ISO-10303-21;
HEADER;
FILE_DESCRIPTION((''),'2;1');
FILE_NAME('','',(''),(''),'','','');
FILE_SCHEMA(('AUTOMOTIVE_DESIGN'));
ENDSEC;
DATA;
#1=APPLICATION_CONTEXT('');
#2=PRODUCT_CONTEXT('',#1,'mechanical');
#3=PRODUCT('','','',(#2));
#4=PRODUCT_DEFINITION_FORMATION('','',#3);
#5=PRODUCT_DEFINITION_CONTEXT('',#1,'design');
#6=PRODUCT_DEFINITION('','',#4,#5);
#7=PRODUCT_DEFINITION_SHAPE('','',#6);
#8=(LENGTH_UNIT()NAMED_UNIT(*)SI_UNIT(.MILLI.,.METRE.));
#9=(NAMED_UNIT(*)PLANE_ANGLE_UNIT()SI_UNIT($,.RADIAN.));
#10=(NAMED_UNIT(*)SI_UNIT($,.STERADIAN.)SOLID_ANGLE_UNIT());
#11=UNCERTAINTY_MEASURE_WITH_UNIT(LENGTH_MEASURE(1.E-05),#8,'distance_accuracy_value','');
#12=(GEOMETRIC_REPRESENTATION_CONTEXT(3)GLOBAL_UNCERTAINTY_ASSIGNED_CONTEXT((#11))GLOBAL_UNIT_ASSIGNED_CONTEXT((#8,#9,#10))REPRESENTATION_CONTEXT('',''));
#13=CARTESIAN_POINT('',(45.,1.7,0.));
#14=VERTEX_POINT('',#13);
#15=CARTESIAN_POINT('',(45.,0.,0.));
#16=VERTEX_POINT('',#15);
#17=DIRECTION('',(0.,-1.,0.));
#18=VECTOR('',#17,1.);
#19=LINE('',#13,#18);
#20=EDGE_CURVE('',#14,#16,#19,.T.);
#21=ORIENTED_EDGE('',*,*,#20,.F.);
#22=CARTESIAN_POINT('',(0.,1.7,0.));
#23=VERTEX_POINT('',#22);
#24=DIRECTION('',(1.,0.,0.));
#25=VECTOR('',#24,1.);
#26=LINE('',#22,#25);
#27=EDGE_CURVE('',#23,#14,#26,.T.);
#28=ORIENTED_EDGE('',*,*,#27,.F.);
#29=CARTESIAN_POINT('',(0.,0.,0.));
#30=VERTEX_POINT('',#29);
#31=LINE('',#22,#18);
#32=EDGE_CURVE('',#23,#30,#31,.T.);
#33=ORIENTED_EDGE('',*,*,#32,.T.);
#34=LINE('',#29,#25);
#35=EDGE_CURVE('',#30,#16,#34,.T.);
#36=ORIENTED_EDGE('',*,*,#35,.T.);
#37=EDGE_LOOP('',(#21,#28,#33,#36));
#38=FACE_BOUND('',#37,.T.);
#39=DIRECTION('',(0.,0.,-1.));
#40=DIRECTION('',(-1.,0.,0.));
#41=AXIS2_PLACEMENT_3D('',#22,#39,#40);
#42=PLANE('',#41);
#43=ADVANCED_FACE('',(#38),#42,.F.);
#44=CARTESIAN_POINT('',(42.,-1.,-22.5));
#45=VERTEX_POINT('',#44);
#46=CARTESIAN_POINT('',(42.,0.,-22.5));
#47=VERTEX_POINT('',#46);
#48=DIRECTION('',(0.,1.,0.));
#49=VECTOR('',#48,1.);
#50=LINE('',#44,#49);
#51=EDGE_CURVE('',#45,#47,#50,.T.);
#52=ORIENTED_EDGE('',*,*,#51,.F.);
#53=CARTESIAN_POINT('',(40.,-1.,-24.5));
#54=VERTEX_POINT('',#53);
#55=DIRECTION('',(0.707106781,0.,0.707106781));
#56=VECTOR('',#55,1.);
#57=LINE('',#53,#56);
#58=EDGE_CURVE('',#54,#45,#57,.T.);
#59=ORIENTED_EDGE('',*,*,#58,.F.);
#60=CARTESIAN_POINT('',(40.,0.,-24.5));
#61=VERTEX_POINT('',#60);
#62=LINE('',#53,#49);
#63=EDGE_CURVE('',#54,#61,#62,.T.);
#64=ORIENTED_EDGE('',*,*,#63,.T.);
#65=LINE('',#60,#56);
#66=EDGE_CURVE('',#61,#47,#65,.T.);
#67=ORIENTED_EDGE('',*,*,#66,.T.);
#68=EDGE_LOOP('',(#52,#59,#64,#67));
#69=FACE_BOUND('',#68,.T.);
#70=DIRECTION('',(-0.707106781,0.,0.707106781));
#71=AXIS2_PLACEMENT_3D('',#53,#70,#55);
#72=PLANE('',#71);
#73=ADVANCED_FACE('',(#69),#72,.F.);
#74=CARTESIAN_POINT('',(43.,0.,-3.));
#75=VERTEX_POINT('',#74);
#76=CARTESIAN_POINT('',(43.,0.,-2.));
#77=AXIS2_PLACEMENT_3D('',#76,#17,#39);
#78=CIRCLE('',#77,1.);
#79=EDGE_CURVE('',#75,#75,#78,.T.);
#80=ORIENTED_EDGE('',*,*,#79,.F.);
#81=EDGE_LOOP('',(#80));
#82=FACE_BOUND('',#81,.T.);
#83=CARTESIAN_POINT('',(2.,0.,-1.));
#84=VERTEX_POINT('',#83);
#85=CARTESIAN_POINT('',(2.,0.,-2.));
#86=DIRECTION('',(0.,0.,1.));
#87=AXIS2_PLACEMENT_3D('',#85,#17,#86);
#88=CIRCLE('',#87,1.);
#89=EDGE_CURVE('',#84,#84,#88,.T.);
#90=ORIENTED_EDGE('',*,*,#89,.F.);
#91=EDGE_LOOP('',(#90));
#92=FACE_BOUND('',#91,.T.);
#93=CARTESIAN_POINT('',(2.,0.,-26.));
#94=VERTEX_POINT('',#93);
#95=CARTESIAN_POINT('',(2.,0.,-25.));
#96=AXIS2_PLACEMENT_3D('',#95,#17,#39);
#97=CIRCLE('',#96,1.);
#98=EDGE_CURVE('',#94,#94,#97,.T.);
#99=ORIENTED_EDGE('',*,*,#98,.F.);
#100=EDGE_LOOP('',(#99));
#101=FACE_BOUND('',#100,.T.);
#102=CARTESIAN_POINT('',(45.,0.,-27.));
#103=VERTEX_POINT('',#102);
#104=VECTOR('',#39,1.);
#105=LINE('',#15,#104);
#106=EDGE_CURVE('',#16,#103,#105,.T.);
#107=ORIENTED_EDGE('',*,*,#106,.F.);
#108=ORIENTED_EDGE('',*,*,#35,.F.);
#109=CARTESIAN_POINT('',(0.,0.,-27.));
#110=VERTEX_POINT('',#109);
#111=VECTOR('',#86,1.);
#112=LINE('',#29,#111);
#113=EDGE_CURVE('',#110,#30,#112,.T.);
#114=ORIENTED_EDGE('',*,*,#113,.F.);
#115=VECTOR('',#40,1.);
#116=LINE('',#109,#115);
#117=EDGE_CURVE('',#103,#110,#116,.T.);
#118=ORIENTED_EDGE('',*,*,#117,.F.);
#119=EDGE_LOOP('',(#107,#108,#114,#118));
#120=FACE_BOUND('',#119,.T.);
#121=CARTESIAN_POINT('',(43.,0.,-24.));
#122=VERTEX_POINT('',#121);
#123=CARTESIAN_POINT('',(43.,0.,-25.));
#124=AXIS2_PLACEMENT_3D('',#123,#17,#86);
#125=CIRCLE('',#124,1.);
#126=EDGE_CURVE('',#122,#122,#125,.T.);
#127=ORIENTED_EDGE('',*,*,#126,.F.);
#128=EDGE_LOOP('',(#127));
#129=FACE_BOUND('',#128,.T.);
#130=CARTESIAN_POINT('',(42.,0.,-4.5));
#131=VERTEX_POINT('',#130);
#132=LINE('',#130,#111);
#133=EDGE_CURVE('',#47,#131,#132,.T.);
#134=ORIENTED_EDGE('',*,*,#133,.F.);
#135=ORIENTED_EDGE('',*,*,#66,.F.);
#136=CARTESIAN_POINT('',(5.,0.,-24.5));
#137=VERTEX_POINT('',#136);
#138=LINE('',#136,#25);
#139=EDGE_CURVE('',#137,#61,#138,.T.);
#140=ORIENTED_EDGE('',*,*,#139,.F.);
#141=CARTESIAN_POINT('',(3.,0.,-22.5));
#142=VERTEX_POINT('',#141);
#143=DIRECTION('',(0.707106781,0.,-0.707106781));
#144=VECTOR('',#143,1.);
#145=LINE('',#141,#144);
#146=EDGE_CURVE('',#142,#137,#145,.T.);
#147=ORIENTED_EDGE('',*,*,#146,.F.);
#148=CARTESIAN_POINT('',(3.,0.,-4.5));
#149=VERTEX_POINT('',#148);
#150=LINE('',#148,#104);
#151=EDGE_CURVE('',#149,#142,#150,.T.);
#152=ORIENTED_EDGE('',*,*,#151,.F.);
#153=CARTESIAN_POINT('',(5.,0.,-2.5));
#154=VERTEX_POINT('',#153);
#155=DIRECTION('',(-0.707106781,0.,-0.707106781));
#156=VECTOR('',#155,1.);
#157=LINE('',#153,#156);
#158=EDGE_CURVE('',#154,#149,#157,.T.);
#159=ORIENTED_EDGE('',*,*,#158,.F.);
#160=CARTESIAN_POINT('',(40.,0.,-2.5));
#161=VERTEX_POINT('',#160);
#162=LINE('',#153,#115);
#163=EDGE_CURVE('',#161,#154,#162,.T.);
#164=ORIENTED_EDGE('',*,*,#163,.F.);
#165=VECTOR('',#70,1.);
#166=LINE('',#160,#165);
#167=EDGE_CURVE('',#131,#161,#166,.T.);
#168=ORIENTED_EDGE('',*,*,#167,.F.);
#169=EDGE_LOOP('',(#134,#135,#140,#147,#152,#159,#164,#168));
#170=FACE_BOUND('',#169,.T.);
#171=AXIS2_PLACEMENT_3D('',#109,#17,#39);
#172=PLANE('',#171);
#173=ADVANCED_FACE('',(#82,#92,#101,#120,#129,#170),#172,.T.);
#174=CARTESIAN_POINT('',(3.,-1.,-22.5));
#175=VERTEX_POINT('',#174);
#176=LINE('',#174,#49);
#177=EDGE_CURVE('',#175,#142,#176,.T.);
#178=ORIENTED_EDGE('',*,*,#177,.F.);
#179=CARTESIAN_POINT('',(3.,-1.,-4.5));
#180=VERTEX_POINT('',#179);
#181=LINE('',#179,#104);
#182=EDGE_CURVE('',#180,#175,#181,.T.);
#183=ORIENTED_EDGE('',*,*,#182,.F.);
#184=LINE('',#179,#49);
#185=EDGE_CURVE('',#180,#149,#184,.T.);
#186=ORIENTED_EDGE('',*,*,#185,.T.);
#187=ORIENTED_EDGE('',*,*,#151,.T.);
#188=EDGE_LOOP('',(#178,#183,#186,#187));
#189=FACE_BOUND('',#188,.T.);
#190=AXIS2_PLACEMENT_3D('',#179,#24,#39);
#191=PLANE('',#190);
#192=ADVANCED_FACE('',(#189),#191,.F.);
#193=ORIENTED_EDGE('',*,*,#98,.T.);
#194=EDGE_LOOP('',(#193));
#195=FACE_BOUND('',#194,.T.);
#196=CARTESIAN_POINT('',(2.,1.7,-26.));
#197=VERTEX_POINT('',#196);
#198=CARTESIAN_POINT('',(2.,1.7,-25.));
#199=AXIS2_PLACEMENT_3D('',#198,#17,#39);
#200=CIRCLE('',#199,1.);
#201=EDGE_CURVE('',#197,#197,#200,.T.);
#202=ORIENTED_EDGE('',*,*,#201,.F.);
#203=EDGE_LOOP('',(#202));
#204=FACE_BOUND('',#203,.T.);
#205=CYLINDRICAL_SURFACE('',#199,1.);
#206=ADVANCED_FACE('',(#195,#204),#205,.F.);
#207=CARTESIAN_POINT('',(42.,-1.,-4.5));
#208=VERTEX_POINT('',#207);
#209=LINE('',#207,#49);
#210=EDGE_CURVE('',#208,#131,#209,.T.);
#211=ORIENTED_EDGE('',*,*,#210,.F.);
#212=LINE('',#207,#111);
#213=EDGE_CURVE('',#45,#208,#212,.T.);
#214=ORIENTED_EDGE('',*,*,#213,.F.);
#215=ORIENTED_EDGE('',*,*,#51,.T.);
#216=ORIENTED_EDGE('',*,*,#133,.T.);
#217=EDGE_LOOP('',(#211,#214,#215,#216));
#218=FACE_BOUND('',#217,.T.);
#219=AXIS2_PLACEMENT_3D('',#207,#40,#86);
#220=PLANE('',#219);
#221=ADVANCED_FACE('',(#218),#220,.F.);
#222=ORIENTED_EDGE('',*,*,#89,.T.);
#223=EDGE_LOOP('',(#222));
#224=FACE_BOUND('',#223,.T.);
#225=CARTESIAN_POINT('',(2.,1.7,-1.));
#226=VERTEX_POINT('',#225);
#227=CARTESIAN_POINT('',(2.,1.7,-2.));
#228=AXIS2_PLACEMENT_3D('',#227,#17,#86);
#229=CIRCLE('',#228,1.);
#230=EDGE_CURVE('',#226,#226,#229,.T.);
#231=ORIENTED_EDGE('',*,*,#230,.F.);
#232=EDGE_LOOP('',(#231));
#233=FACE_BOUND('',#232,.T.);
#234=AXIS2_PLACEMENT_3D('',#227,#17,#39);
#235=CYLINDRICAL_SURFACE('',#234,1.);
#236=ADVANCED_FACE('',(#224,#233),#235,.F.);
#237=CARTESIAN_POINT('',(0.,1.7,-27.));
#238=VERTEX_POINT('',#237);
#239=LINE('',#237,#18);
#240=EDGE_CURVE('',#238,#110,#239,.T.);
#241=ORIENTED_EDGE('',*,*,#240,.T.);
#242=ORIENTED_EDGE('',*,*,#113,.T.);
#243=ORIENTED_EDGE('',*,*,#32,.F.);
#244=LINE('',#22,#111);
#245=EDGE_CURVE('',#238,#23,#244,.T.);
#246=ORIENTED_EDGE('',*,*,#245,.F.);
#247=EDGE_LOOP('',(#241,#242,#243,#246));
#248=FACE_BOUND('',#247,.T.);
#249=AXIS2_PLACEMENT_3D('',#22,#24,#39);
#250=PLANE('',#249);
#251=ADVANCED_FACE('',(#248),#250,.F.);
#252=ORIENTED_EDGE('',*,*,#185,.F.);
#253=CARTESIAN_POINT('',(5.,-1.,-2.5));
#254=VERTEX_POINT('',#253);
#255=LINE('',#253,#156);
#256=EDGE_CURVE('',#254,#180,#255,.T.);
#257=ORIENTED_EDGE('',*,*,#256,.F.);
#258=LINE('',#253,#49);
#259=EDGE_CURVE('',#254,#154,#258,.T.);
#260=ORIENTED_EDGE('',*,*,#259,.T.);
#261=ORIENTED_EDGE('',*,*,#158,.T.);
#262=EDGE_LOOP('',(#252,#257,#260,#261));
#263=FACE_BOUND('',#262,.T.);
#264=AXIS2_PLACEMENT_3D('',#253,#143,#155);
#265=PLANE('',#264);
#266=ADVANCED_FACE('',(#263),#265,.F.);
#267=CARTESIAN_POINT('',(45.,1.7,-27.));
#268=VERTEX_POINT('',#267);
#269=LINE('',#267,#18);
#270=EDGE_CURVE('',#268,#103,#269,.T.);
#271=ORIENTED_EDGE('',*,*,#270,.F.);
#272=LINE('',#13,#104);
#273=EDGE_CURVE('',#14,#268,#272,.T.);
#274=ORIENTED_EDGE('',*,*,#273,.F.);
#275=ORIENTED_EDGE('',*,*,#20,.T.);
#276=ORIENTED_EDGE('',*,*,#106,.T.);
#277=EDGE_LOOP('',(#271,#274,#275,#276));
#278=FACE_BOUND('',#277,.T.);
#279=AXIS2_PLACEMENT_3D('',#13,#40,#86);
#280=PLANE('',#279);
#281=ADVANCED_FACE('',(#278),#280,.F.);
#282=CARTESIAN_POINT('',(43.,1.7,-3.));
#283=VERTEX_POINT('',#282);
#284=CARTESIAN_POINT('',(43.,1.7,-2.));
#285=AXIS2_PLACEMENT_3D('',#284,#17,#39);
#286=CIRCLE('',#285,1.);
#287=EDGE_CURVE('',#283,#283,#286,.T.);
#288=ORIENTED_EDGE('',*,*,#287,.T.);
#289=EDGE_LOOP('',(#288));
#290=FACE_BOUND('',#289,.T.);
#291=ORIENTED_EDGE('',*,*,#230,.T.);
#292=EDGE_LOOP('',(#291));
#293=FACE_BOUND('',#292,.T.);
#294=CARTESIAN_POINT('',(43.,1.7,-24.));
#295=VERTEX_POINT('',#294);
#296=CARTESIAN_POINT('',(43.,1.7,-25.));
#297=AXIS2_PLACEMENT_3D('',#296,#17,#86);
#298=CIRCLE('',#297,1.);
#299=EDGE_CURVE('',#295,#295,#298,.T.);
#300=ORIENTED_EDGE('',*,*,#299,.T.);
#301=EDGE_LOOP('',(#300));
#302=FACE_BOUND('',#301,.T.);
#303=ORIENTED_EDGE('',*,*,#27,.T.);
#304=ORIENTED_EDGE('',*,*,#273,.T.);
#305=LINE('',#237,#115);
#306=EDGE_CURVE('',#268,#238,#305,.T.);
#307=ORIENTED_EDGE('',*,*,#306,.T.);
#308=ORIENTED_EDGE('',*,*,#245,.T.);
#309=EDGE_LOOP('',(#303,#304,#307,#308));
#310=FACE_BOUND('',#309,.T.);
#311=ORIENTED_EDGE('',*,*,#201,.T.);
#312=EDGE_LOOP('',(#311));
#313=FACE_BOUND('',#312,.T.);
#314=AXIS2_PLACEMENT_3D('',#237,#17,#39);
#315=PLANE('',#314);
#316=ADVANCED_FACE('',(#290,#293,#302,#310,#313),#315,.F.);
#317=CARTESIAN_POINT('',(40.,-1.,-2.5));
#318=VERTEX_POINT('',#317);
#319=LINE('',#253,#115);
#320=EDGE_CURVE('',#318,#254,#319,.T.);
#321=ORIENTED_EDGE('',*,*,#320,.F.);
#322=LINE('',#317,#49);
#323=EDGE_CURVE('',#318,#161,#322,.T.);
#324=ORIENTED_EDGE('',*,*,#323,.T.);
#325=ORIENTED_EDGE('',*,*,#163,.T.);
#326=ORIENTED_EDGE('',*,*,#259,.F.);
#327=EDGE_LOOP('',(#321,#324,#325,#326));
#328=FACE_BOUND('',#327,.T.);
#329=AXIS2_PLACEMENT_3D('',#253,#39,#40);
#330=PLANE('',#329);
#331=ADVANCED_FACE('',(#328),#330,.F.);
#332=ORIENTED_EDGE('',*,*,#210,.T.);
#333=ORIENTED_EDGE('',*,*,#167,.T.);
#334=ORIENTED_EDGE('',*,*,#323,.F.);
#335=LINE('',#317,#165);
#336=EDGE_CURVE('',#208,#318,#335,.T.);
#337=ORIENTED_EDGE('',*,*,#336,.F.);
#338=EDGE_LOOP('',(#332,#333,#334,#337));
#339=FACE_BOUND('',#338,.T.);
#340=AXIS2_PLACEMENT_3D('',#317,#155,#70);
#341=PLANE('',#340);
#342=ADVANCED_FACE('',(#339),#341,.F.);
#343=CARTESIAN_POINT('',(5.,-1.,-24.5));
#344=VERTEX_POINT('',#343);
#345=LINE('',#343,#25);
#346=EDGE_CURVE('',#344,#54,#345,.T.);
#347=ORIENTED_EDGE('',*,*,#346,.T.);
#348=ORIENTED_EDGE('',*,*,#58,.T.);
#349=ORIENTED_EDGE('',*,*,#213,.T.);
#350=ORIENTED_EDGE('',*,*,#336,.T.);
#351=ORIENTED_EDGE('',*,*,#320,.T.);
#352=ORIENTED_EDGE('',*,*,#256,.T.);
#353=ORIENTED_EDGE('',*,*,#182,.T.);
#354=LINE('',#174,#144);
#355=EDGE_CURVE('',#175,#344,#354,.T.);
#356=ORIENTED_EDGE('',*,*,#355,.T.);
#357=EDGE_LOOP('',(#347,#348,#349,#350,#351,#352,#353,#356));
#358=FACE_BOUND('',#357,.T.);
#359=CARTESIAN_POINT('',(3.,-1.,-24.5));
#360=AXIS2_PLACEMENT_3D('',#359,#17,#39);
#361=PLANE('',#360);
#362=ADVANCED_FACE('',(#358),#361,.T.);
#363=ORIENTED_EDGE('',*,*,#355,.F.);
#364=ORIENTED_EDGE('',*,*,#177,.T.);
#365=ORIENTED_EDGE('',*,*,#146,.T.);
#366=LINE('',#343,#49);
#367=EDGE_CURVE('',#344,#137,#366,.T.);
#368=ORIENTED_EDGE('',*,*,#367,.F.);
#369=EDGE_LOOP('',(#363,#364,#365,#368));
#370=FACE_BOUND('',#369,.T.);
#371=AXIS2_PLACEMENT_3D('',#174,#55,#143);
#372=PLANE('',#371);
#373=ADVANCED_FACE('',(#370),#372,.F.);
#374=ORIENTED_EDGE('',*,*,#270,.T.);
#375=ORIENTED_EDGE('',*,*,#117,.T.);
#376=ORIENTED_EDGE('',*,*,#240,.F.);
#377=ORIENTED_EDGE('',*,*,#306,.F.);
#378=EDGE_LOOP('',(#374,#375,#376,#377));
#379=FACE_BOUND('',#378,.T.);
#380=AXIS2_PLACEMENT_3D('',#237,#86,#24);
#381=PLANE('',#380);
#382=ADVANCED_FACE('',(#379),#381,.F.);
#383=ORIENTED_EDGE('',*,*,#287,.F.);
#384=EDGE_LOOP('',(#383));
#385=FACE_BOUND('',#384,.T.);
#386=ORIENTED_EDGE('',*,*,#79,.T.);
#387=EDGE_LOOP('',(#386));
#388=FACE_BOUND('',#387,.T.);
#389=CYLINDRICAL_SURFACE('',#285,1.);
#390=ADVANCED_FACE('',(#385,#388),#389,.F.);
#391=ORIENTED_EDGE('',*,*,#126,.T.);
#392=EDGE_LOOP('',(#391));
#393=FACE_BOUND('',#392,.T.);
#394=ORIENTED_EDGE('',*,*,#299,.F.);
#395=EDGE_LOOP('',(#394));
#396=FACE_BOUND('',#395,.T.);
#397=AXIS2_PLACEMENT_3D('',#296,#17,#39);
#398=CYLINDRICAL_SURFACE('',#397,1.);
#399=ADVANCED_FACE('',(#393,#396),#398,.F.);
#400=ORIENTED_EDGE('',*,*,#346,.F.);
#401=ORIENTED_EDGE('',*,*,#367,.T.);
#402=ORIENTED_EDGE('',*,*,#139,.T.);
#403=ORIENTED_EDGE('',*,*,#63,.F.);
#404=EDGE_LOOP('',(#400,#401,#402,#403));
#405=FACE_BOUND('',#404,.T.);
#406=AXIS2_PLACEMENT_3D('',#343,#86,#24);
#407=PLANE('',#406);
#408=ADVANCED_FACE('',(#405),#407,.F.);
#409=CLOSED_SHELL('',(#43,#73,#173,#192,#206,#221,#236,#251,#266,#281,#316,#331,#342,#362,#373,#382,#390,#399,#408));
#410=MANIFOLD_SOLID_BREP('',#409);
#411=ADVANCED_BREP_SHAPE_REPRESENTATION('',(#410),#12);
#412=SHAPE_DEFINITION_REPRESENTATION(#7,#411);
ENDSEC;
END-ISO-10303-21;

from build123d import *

# Parameters (mm, degrees)
ESBO_O1_W                = 45
ESBO_O1_H                = 27
RESSALTO_EXTRUS_O1_DEPTH = 1.7
RESSALTO_EXTRUS_O2_DEPTH = 1
ESBO_O3_R                = 1
CORTE_EXTRUS_O1_DEPTH    = 2.7


with BuildPart() as part:
    # Esboço1 → Ressalto-extrusão1 (new body)
    with BuildSketch(Plane(origin=(0, 0, 0), x_dir=(1, 0, 0), z_dir=(0, 1, 0))):
        with Locations((22.5, 13.5)):
            Rectangle(ESBO_O1_W, ESBO_O1_H)
    extrude(amount=RESSALTO_EXTRUS_O1_DEPTH)

    # Esboço2 → Ressalto-extrusão2 (add)
    with BuildSketch(Plane.XZ):
        Polygon((3, -22.5), (5, -24.5), (40, -24.5), (42, -22.5), (42, -4.5), (40, -2.5), (5, -2.5), (3, -4.5), align=None)
    extrude(amount=RESSALTO_EXTRUS_O2_DEPTH)

    # Esboço3 → Corte-extrusão1 (cut, through all)
    with BuildSketch(Plane.XZ):
        with Locations((2, -25)):
            Circle(ESBO_O3_R)
        with Locations((43, -25)):
            Circle(ESBO_O3_R)
        with Locations((43, -2)):
            Circle(ESBO_O3_R)
        with Locations((2, -2)):
            Circle(ESBO_O3_R)
    extrude(amount=-CORTE_EXTRUS_O1_DEPTH, mode=Mode.SUBTRACT)


solid = part.part
